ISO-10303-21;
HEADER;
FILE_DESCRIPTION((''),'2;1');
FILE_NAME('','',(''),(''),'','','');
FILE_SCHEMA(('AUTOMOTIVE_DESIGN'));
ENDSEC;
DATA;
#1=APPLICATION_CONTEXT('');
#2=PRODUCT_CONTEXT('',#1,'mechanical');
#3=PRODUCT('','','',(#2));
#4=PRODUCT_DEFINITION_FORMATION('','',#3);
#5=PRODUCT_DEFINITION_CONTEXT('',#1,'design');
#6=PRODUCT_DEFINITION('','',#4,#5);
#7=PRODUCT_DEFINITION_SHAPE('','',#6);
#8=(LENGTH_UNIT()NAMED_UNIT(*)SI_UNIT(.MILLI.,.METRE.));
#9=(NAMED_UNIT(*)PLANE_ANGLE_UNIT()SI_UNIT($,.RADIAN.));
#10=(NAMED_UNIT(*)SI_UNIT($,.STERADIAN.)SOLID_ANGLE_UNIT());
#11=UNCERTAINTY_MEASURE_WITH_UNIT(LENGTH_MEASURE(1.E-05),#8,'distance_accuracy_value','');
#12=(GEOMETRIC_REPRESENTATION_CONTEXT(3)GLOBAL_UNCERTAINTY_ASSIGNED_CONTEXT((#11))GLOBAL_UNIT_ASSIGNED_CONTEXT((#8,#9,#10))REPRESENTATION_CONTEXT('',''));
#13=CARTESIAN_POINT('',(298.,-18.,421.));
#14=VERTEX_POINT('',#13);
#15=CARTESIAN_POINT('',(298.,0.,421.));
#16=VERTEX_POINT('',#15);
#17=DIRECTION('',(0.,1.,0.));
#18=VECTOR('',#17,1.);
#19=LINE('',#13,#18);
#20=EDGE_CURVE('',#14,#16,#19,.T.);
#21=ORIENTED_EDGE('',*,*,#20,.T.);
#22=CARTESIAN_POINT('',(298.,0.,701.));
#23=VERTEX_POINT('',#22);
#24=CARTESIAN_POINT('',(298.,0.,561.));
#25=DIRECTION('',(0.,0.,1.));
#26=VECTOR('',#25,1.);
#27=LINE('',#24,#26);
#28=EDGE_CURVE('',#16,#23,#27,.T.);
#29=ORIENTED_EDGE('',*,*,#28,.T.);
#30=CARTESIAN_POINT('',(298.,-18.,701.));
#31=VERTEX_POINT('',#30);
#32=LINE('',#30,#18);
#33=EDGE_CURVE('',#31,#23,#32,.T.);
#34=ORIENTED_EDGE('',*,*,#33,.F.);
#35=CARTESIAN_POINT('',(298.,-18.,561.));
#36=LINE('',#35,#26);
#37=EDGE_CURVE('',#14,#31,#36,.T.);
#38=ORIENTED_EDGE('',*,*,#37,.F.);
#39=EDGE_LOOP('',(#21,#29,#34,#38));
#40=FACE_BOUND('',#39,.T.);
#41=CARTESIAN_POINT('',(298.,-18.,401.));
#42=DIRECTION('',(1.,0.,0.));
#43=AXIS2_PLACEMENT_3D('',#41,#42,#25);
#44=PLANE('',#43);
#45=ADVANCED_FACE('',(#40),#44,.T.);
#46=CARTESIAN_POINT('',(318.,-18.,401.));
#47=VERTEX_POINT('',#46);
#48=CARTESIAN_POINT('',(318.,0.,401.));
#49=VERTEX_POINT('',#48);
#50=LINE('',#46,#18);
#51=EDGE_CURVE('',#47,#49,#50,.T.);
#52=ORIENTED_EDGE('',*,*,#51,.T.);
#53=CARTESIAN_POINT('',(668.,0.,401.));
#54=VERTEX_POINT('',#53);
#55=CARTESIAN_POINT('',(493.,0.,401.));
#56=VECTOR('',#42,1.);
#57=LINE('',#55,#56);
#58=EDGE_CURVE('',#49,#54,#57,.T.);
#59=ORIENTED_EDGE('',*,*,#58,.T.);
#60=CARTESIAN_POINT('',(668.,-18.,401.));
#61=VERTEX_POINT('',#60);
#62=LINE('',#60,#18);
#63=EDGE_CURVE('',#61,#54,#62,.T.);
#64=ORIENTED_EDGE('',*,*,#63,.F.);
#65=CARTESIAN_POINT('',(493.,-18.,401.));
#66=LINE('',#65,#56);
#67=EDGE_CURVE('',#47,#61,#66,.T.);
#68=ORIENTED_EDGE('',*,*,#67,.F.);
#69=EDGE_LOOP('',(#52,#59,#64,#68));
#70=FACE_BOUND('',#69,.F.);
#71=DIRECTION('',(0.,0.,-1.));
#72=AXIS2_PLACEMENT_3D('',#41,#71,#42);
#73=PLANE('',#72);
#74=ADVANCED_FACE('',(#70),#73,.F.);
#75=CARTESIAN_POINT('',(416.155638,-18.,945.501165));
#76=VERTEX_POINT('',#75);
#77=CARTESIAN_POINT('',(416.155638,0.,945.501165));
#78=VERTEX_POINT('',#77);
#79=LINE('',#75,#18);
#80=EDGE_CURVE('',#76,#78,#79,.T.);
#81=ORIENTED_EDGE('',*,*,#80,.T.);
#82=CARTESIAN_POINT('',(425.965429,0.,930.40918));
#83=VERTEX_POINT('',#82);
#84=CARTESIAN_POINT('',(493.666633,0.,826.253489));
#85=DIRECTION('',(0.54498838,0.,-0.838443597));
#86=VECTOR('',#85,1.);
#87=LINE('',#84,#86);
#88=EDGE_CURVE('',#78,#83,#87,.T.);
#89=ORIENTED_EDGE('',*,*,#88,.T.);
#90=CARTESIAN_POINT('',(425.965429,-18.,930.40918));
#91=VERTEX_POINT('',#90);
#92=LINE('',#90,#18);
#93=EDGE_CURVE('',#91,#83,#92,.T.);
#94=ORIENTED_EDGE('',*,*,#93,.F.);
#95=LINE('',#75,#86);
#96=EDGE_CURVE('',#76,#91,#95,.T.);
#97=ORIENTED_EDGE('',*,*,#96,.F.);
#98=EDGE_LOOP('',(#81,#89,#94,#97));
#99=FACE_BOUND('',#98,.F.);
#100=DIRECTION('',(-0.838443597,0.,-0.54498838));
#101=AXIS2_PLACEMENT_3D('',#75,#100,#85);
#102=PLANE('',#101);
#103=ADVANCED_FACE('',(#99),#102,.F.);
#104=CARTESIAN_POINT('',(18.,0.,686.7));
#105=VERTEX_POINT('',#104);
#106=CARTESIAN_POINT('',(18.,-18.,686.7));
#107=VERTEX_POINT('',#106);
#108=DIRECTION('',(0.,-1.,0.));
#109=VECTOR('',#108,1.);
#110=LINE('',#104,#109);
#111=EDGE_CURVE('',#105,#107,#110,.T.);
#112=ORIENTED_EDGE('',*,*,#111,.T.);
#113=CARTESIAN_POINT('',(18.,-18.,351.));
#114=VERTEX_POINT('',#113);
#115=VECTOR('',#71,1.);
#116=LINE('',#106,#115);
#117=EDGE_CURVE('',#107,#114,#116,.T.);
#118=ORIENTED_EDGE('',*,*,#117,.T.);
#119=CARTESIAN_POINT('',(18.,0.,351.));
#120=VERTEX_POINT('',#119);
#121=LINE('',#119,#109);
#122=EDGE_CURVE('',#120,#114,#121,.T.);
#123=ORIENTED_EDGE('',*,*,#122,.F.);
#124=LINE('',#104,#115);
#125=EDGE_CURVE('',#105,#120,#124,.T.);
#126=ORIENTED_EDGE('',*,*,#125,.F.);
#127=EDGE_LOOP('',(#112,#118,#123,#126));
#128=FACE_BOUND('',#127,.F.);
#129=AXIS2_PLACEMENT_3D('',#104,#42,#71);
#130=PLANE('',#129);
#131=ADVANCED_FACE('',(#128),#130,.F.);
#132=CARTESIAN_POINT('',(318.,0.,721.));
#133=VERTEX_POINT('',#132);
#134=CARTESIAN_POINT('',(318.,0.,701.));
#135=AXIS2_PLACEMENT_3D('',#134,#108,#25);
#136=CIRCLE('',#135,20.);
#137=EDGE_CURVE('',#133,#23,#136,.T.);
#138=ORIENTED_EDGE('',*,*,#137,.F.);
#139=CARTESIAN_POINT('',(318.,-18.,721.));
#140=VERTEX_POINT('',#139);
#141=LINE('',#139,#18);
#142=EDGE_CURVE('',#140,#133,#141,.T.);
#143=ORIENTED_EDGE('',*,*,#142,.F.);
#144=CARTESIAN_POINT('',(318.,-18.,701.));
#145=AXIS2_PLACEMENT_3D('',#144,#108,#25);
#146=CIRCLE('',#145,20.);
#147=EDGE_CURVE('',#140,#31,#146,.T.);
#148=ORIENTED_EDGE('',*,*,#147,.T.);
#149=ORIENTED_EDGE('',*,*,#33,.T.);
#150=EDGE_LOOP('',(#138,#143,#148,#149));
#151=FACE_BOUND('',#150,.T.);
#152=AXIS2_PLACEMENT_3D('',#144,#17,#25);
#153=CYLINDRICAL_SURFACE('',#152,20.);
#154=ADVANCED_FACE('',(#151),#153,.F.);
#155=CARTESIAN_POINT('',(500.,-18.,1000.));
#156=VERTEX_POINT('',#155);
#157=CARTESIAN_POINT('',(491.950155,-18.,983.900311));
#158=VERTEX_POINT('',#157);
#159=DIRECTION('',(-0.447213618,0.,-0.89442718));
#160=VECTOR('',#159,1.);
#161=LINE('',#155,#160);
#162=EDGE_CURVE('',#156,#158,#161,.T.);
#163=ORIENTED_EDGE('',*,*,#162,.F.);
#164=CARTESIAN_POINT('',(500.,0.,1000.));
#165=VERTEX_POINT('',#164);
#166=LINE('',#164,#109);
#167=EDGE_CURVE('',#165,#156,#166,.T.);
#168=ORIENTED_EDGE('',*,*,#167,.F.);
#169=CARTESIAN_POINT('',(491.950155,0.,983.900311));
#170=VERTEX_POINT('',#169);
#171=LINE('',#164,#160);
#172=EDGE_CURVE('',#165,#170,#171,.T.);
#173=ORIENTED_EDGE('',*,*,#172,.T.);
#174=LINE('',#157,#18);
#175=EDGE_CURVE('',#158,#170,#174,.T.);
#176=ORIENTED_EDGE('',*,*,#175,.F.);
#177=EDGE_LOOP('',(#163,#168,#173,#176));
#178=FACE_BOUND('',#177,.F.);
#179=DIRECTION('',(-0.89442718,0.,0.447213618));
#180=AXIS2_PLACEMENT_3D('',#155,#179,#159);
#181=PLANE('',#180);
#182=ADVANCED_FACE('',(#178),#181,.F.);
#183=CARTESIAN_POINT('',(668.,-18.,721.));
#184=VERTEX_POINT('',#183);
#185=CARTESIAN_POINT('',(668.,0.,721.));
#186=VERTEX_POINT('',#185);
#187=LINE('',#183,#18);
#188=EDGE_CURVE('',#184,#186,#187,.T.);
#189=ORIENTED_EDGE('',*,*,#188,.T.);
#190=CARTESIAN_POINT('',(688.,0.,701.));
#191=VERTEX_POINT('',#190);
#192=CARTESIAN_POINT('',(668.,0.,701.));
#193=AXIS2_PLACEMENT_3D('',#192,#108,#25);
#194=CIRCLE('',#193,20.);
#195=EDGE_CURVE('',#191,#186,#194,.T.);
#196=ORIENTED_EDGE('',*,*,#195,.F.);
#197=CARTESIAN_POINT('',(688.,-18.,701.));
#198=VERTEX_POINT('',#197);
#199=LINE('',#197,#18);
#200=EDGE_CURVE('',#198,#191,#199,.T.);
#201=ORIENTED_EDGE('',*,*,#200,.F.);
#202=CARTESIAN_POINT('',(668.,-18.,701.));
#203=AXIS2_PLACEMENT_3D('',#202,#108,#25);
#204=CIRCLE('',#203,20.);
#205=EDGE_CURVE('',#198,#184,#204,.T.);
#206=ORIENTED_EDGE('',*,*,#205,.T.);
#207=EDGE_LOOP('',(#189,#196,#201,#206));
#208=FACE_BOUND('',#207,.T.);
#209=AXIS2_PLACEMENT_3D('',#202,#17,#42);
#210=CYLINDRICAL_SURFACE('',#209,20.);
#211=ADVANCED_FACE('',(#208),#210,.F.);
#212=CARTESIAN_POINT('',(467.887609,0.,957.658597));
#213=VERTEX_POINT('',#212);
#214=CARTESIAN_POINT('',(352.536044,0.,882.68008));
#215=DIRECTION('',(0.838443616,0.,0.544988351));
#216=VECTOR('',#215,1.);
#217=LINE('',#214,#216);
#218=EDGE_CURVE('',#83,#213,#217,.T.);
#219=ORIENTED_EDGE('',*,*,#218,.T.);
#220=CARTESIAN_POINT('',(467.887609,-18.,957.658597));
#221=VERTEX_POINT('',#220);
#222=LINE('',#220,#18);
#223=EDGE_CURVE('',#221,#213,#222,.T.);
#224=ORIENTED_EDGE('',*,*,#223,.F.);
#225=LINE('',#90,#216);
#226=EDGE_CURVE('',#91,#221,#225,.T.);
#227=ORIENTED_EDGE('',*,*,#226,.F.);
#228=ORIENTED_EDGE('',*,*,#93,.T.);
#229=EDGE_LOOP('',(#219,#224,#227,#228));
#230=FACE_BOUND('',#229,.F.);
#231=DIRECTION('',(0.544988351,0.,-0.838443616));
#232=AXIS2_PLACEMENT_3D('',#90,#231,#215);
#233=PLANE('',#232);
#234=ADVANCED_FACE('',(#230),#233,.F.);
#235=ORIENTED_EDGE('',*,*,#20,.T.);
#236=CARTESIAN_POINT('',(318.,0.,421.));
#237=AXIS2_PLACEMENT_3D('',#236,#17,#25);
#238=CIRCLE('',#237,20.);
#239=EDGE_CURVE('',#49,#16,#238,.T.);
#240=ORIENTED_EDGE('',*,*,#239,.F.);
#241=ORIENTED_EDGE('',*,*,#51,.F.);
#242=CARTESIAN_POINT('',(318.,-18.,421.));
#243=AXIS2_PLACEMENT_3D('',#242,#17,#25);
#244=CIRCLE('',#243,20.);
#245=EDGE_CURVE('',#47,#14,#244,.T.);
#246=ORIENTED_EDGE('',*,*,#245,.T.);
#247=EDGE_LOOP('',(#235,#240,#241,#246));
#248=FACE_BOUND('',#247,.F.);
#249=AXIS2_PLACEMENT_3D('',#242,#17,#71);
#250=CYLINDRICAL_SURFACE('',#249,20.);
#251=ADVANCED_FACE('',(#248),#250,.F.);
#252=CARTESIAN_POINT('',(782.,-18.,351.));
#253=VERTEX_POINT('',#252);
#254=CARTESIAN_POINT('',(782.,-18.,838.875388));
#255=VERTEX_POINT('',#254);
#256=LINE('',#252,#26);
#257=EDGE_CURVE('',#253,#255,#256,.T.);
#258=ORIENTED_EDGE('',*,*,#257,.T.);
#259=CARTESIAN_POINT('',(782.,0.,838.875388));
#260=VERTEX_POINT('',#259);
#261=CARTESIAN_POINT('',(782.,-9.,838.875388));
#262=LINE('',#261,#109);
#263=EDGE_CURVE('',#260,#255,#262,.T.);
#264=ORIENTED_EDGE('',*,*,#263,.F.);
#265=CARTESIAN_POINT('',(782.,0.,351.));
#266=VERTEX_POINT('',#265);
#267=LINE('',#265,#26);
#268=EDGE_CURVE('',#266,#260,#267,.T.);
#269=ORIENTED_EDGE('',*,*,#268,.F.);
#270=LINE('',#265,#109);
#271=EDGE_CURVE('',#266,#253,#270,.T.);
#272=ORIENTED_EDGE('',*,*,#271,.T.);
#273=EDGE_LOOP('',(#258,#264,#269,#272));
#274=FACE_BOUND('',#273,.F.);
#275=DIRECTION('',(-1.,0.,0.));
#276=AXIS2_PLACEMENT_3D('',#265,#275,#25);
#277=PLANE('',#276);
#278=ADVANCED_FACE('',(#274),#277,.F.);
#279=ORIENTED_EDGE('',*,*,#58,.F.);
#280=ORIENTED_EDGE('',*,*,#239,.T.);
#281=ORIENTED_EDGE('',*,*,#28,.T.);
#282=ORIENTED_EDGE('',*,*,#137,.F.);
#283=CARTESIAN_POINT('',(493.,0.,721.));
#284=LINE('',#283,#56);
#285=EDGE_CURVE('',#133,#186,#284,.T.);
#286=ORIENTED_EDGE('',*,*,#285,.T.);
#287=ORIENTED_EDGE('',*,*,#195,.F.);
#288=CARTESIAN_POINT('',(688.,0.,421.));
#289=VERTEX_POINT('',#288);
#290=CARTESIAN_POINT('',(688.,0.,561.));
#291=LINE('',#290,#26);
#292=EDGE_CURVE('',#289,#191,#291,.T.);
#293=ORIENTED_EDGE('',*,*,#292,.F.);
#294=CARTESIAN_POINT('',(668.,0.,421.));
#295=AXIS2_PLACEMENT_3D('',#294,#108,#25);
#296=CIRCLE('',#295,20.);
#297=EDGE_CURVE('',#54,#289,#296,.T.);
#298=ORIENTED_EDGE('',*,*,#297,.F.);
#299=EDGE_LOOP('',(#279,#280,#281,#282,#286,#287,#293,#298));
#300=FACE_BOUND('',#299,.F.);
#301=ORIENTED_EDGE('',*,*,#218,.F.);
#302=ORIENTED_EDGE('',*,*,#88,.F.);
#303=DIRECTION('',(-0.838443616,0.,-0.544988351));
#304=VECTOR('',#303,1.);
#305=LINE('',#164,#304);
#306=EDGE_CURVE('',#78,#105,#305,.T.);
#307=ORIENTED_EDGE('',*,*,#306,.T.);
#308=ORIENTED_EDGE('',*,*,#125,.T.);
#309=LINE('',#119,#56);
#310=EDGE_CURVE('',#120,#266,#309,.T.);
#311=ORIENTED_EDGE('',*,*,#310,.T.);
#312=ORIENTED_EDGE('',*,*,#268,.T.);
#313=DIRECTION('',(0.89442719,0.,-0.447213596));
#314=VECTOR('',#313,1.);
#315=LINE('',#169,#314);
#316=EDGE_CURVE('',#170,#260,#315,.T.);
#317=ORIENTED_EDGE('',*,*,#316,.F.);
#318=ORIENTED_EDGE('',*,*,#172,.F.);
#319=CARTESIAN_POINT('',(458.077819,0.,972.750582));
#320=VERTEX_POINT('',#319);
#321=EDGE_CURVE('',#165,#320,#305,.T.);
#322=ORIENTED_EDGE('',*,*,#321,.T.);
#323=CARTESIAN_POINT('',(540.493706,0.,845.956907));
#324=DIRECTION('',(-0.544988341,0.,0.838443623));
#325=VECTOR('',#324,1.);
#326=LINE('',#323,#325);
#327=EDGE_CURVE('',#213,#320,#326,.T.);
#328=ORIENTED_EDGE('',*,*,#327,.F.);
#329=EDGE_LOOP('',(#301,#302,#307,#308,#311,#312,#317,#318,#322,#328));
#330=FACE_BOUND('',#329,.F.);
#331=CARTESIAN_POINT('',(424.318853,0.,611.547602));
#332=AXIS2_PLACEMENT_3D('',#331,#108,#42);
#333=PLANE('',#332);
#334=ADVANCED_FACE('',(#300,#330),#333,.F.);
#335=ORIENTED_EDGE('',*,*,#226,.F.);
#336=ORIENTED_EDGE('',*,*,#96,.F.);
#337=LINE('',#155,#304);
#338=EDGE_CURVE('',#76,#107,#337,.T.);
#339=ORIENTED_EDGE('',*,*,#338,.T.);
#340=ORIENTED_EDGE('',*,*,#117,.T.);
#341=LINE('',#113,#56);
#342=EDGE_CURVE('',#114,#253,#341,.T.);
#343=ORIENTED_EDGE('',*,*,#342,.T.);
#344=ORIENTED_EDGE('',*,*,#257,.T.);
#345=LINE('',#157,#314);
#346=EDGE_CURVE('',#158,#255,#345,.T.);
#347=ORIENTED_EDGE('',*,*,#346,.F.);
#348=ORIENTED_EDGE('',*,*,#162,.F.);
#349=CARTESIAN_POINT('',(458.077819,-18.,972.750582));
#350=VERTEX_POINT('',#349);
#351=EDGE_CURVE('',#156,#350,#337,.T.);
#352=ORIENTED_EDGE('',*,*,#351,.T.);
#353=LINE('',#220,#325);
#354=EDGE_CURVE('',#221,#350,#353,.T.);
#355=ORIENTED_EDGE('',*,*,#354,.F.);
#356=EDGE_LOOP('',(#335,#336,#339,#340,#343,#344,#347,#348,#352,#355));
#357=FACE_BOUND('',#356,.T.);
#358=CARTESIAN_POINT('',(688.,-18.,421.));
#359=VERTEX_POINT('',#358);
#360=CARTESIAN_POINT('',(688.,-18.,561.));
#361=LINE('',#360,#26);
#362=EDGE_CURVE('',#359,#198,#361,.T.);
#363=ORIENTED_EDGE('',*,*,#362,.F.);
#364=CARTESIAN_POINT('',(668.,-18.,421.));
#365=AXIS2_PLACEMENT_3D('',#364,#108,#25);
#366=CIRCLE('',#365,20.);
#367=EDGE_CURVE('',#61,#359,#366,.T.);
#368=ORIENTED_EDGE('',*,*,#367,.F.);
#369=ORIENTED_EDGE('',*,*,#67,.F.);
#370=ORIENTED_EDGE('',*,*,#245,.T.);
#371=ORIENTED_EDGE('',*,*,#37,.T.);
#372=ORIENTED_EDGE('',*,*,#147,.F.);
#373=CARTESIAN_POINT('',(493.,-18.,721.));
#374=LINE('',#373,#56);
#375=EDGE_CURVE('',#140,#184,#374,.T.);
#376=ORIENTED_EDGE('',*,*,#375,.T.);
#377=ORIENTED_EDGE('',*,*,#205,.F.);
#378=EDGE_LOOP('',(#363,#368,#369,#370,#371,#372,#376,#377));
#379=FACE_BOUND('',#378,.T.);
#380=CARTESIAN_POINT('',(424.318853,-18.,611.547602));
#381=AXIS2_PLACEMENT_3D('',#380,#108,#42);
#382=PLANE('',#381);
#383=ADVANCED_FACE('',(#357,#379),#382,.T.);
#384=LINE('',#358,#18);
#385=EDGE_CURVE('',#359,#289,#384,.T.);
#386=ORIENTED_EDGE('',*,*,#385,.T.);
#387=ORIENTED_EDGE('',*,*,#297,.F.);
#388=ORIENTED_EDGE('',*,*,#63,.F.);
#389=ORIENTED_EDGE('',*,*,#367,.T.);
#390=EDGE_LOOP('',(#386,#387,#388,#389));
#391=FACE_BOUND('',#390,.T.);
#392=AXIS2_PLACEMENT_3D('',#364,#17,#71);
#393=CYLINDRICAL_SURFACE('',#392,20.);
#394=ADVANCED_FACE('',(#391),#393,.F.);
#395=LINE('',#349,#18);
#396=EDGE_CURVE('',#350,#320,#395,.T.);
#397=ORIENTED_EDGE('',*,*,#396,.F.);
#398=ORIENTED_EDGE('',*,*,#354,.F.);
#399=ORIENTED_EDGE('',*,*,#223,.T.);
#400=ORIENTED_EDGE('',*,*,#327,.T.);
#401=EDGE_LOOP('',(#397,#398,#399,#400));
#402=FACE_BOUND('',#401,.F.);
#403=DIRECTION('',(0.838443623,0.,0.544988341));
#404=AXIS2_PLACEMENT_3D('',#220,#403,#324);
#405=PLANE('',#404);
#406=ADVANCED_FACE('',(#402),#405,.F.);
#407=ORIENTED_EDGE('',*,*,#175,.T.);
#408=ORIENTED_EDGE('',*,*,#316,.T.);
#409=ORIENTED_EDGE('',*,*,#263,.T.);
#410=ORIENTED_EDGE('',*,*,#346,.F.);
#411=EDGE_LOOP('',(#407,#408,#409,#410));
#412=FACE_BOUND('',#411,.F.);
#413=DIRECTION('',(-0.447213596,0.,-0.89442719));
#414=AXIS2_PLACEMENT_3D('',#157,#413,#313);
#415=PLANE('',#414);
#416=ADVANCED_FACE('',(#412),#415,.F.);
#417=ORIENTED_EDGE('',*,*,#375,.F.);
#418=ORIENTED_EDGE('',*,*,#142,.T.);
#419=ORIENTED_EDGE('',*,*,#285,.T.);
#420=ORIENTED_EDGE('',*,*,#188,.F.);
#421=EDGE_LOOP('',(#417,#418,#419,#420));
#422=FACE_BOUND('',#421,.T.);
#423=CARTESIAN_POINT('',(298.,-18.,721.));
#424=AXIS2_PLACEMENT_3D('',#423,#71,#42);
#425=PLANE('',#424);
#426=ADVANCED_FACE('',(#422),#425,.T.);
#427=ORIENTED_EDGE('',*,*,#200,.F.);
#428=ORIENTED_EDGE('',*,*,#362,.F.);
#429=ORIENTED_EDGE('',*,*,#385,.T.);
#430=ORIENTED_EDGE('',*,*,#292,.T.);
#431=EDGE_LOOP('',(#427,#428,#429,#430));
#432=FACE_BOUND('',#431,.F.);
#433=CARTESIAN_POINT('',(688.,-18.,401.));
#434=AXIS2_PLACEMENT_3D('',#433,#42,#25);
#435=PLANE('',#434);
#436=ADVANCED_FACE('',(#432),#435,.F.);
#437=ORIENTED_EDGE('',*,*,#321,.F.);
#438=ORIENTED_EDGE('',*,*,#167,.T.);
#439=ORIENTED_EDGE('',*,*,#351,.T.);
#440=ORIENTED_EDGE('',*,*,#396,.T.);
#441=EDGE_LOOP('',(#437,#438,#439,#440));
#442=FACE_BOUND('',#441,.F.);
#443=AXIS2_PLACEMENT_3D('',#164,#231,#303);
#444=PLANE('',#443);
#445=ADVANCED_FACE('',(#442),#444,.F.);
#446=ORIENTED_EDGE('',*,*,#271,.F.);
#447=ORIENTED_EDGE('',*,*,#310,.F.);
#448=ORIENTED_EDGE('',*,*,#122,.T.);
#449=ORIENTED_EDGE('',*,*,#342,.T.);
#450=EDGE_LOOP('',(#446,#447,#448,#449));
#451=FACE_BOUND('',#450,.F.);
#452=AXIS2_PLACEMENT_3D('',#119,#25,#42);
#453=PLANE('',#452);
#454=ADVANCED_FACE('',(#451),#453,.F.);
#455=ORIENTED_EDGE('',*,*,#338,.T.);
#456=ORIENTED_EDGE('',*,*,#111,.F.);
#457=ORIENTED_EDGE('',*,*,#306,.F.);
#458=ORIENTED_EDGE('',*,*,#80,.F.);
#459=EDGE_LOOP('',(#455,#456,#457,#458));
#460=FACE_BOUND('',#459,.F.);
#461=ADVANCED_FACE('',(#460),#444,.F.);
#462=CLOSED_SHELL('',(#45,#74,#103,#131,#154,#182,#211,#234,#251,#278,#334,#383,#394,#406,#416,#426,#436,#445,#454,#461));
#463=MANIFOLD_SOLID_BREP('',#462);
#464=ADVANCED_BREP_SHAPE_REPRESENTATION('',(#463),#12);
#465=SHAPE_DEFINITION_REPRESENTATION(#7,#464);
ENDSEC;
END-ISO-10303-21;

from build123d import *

# Parameters (mm, degrees)
F1_DEPTH  = 18
F4_W      = 390
F4_H      = 320
F5_DEPTH  = 18
F6_R      = 20
F8_DEPTH  = 25
F10_DEPTH = 18


with BuildPart() as f1:
    # F0 (on Front) → F1 (new body)
    with BuildSketch(Plane.XZ):
        Polygon((500, 1000), (18, 686.7), (18, 351), (782, 351), (782, 859), align=None)
    extrude(amount=F1_DEPTH)

    # F4 (on face) → F5 (cut, through all)
    with BuildSketch(Plane.XZ.offset(18)):
        with Locations((493, 561)):
            Rectangle(F4_W, F4_H)
    extrude(amount=-F5_DEPTH, mode=Mode.SUBTRACT)

    # F6
    f6_edges = [f1.edges().sort_by_distance(p)[0] for p in [
        (298, -9, 721),
        (688, -9, 721),
        (298, -9, 401),
        (688, -9, 401),
    ]]
    fillet(f6_edges, radius=F6_R)

    # F7 (on face) → F8 (cut)
    with BuildSketch(Plane.XZ.offset(18)):
        Polygon((458.077819, 972.750582), (416.155638, 945.501165), (425.965429, 930.40918), (467.887609, 957.658597), align=None)
    extrude(amount=-F8_DEPTH, mode=Mode.SUBTRACT)

    # F9 (on face) → F10 (cut, through all)
    with BuildSketch(Plane.XZ.offset(18)):
        Polygon((857.770876, 821.114562), (500, 1000), (491.950155, 983.900311), (849.721032, 805.014872), align=None)
    extrude(amount=-F10_DEPTH, mode=Mode.SUBTRACT)


solid = f1.part
